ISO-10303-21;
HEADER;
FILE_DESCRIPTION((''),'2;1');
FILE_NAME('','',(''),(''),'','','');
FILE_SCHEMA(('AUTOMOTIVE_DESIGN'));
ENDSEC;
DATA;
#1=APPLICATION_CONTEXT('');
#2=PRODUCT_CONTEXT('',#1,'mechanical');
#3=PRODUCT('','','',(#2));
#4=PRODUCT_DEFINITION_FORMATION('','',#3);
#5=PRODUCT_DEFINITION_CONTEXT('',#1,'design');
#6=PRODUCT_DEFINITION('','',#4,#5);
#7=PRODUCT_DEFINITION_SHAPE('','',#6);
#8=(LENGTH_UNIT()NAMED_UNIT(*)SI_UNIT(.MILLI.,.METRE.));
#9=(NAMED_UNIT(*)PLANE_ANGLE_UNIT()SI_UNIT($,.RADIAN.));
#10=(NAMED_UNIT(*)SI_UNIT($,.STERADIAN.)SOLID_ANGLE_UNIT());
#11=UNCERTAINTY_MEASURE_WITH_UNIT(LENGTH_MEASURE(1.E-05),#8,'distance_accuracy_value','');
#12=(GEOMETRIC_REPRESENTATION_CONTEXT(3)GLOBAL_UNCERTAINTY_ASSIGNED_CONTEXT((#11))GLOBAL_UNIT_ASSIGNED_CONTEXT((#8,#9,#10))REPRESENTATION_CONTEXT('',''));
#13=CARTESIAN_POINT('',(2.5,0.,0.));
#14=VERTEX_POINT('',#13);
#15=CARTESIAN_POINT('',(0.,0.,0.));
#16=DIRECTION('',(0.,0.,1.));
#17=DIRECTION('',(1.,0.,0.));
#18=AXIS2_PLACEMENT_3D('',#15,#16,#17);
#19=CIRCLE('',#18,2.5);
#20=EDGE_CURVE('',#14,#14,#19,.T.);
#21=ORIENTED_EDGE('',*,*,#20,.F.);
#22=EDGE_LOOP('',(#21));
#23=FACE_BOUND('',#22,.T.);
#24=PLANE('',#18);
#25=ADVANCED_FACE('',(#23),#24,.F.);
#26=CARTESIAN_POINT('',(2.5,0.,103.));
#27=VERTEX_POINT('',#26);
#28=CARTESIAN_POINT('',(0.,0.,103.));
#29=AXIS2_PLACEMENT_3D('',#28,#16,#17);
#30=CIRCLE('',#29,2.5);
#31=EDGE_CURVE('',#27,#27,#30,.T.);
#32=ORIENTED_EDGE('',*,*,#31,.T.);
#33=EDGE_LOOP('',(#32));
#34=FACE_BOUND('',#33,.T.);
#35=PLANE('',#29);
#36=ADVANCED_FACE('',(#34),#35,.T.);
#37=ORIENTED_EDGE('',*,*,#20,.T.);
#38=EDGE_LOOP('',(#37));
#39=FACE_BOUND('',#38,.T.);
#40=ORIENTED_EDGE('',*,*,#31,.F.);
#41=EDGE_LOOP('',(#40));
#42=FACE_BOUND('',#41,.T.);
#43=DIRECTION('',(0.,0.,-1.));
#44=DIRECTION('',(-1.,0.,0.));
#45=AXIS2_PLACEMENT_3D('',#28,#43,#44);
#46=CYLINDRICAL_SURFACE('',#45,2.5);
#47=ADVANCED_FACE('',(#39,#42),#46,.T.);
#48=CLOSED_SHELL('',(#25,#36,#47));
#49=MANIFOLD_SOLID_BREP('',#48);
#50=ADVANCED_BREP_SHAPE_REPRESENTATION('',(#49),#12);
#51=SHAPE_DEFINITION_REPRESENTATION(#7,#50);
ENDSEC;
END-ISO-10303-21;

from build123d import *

# Parameters (mm, degrees)
BODY_SKETCH_R = 2.5
BODY_DEPTH    = 103


with BuildPart() as part:
    # Body sketch → Body (new body)
    with BuildSketch(Plane.XY):
        Circle(BODY_SKETCH_R)
    extrude(amount=BODY_DEPTH)


solid = part.part
